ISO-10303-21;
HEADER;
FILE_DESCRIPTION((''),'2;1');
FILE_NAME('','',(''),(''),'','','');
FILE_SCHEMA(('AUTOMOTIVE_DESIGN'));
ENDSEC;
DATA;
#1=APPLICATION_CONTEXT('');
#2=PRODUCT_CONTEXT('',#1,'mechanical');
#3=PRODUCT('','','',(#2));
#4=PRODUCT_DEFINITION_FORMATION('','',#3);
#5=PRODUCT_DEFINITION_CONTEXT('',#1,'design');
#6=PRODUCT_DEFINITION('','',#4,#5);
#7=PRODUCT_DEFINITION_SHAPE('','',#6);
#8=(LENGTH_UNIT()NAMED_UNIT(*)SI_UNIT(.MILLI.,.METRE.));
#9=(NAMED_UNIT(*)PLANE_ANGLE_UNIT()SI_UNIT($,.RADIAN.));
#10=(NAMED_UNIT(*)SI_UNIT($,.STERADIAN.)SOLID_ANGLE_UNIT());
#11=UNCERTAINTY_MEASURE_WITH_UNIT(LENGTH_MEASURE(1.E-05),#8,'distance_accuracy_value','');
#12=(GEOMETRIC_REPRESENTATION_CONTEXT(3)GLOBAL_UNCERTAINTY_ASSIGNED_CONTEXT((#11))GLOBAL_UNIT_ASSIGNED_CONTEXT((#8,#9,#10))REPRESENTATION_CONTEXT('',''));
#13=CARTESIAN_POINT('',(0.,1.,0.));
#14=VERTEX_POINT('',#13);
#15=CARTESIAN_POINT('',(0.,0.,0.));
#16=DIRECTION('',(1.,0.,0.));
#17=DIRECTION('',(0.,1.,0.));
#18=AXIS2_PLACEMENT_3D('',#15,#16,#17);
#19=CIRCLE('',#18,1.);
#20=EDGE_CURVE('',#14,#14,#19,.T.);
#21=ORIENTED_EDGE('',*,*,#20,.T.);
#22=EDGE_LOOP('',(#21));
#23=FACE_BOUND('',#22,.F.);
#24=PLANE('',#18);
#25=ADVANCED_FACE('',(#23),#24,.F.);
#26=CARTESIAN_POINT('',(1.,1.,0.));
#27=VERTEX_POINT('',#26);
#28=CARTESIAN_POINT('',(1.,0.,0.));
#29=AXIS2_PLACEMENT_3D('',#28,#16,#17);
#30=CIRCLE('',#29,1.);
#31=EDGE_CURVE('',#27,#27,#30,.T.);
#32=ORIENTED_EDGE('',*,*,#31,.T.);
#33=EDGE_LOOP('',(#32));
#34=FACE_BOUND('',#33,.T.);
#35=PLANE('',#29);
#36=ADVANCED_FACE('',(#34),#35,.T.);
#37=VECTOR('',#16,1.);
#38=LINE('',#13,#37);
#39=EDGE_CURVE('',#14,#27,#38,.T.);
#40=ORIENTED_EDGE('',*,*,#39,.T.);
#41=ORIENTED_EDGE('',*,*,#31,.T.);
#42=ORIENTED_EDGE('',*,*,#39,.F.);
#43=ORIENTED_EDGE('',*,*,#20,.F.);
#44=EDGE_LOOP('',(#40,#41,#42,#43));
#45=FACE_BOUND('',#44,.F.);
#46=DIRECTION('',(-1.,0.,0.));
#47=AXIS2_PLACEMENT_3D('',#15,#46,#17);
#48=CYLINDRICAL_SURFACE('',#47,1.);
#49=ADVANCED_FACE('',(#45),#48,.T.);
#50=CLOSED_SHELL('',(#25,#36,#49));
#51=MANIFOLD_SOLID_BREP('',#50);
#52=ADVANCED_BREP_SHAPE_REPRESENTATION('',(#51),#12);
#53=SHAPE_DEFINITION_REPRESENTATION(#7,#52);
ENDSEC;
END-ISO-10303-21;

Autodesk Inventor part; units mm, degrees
ref_plane "YZ Plane" through (0, 0, 0) normal (1, 0, 0) x (0, 1, 0)
ref_plane "XZ Plane" through (0, 0, 0) normal (0, 1, 0) x (-1, 0, 0)
ref_plane "XY Plane" through (0, 0, 0) normal (0, 0, 1) x (1, 0, 0)
sketch "Sketch1" plane through (0, 0, 0) normal (1, 0, 0) x (0, 1, 0)
  circle A0 centre (0, 0) radius 1
  dimension "d0" = 2
extrude "Extrusion1" add sketch "Sketch1" along normal blind 1
properties part number "wkladka gumowa"
